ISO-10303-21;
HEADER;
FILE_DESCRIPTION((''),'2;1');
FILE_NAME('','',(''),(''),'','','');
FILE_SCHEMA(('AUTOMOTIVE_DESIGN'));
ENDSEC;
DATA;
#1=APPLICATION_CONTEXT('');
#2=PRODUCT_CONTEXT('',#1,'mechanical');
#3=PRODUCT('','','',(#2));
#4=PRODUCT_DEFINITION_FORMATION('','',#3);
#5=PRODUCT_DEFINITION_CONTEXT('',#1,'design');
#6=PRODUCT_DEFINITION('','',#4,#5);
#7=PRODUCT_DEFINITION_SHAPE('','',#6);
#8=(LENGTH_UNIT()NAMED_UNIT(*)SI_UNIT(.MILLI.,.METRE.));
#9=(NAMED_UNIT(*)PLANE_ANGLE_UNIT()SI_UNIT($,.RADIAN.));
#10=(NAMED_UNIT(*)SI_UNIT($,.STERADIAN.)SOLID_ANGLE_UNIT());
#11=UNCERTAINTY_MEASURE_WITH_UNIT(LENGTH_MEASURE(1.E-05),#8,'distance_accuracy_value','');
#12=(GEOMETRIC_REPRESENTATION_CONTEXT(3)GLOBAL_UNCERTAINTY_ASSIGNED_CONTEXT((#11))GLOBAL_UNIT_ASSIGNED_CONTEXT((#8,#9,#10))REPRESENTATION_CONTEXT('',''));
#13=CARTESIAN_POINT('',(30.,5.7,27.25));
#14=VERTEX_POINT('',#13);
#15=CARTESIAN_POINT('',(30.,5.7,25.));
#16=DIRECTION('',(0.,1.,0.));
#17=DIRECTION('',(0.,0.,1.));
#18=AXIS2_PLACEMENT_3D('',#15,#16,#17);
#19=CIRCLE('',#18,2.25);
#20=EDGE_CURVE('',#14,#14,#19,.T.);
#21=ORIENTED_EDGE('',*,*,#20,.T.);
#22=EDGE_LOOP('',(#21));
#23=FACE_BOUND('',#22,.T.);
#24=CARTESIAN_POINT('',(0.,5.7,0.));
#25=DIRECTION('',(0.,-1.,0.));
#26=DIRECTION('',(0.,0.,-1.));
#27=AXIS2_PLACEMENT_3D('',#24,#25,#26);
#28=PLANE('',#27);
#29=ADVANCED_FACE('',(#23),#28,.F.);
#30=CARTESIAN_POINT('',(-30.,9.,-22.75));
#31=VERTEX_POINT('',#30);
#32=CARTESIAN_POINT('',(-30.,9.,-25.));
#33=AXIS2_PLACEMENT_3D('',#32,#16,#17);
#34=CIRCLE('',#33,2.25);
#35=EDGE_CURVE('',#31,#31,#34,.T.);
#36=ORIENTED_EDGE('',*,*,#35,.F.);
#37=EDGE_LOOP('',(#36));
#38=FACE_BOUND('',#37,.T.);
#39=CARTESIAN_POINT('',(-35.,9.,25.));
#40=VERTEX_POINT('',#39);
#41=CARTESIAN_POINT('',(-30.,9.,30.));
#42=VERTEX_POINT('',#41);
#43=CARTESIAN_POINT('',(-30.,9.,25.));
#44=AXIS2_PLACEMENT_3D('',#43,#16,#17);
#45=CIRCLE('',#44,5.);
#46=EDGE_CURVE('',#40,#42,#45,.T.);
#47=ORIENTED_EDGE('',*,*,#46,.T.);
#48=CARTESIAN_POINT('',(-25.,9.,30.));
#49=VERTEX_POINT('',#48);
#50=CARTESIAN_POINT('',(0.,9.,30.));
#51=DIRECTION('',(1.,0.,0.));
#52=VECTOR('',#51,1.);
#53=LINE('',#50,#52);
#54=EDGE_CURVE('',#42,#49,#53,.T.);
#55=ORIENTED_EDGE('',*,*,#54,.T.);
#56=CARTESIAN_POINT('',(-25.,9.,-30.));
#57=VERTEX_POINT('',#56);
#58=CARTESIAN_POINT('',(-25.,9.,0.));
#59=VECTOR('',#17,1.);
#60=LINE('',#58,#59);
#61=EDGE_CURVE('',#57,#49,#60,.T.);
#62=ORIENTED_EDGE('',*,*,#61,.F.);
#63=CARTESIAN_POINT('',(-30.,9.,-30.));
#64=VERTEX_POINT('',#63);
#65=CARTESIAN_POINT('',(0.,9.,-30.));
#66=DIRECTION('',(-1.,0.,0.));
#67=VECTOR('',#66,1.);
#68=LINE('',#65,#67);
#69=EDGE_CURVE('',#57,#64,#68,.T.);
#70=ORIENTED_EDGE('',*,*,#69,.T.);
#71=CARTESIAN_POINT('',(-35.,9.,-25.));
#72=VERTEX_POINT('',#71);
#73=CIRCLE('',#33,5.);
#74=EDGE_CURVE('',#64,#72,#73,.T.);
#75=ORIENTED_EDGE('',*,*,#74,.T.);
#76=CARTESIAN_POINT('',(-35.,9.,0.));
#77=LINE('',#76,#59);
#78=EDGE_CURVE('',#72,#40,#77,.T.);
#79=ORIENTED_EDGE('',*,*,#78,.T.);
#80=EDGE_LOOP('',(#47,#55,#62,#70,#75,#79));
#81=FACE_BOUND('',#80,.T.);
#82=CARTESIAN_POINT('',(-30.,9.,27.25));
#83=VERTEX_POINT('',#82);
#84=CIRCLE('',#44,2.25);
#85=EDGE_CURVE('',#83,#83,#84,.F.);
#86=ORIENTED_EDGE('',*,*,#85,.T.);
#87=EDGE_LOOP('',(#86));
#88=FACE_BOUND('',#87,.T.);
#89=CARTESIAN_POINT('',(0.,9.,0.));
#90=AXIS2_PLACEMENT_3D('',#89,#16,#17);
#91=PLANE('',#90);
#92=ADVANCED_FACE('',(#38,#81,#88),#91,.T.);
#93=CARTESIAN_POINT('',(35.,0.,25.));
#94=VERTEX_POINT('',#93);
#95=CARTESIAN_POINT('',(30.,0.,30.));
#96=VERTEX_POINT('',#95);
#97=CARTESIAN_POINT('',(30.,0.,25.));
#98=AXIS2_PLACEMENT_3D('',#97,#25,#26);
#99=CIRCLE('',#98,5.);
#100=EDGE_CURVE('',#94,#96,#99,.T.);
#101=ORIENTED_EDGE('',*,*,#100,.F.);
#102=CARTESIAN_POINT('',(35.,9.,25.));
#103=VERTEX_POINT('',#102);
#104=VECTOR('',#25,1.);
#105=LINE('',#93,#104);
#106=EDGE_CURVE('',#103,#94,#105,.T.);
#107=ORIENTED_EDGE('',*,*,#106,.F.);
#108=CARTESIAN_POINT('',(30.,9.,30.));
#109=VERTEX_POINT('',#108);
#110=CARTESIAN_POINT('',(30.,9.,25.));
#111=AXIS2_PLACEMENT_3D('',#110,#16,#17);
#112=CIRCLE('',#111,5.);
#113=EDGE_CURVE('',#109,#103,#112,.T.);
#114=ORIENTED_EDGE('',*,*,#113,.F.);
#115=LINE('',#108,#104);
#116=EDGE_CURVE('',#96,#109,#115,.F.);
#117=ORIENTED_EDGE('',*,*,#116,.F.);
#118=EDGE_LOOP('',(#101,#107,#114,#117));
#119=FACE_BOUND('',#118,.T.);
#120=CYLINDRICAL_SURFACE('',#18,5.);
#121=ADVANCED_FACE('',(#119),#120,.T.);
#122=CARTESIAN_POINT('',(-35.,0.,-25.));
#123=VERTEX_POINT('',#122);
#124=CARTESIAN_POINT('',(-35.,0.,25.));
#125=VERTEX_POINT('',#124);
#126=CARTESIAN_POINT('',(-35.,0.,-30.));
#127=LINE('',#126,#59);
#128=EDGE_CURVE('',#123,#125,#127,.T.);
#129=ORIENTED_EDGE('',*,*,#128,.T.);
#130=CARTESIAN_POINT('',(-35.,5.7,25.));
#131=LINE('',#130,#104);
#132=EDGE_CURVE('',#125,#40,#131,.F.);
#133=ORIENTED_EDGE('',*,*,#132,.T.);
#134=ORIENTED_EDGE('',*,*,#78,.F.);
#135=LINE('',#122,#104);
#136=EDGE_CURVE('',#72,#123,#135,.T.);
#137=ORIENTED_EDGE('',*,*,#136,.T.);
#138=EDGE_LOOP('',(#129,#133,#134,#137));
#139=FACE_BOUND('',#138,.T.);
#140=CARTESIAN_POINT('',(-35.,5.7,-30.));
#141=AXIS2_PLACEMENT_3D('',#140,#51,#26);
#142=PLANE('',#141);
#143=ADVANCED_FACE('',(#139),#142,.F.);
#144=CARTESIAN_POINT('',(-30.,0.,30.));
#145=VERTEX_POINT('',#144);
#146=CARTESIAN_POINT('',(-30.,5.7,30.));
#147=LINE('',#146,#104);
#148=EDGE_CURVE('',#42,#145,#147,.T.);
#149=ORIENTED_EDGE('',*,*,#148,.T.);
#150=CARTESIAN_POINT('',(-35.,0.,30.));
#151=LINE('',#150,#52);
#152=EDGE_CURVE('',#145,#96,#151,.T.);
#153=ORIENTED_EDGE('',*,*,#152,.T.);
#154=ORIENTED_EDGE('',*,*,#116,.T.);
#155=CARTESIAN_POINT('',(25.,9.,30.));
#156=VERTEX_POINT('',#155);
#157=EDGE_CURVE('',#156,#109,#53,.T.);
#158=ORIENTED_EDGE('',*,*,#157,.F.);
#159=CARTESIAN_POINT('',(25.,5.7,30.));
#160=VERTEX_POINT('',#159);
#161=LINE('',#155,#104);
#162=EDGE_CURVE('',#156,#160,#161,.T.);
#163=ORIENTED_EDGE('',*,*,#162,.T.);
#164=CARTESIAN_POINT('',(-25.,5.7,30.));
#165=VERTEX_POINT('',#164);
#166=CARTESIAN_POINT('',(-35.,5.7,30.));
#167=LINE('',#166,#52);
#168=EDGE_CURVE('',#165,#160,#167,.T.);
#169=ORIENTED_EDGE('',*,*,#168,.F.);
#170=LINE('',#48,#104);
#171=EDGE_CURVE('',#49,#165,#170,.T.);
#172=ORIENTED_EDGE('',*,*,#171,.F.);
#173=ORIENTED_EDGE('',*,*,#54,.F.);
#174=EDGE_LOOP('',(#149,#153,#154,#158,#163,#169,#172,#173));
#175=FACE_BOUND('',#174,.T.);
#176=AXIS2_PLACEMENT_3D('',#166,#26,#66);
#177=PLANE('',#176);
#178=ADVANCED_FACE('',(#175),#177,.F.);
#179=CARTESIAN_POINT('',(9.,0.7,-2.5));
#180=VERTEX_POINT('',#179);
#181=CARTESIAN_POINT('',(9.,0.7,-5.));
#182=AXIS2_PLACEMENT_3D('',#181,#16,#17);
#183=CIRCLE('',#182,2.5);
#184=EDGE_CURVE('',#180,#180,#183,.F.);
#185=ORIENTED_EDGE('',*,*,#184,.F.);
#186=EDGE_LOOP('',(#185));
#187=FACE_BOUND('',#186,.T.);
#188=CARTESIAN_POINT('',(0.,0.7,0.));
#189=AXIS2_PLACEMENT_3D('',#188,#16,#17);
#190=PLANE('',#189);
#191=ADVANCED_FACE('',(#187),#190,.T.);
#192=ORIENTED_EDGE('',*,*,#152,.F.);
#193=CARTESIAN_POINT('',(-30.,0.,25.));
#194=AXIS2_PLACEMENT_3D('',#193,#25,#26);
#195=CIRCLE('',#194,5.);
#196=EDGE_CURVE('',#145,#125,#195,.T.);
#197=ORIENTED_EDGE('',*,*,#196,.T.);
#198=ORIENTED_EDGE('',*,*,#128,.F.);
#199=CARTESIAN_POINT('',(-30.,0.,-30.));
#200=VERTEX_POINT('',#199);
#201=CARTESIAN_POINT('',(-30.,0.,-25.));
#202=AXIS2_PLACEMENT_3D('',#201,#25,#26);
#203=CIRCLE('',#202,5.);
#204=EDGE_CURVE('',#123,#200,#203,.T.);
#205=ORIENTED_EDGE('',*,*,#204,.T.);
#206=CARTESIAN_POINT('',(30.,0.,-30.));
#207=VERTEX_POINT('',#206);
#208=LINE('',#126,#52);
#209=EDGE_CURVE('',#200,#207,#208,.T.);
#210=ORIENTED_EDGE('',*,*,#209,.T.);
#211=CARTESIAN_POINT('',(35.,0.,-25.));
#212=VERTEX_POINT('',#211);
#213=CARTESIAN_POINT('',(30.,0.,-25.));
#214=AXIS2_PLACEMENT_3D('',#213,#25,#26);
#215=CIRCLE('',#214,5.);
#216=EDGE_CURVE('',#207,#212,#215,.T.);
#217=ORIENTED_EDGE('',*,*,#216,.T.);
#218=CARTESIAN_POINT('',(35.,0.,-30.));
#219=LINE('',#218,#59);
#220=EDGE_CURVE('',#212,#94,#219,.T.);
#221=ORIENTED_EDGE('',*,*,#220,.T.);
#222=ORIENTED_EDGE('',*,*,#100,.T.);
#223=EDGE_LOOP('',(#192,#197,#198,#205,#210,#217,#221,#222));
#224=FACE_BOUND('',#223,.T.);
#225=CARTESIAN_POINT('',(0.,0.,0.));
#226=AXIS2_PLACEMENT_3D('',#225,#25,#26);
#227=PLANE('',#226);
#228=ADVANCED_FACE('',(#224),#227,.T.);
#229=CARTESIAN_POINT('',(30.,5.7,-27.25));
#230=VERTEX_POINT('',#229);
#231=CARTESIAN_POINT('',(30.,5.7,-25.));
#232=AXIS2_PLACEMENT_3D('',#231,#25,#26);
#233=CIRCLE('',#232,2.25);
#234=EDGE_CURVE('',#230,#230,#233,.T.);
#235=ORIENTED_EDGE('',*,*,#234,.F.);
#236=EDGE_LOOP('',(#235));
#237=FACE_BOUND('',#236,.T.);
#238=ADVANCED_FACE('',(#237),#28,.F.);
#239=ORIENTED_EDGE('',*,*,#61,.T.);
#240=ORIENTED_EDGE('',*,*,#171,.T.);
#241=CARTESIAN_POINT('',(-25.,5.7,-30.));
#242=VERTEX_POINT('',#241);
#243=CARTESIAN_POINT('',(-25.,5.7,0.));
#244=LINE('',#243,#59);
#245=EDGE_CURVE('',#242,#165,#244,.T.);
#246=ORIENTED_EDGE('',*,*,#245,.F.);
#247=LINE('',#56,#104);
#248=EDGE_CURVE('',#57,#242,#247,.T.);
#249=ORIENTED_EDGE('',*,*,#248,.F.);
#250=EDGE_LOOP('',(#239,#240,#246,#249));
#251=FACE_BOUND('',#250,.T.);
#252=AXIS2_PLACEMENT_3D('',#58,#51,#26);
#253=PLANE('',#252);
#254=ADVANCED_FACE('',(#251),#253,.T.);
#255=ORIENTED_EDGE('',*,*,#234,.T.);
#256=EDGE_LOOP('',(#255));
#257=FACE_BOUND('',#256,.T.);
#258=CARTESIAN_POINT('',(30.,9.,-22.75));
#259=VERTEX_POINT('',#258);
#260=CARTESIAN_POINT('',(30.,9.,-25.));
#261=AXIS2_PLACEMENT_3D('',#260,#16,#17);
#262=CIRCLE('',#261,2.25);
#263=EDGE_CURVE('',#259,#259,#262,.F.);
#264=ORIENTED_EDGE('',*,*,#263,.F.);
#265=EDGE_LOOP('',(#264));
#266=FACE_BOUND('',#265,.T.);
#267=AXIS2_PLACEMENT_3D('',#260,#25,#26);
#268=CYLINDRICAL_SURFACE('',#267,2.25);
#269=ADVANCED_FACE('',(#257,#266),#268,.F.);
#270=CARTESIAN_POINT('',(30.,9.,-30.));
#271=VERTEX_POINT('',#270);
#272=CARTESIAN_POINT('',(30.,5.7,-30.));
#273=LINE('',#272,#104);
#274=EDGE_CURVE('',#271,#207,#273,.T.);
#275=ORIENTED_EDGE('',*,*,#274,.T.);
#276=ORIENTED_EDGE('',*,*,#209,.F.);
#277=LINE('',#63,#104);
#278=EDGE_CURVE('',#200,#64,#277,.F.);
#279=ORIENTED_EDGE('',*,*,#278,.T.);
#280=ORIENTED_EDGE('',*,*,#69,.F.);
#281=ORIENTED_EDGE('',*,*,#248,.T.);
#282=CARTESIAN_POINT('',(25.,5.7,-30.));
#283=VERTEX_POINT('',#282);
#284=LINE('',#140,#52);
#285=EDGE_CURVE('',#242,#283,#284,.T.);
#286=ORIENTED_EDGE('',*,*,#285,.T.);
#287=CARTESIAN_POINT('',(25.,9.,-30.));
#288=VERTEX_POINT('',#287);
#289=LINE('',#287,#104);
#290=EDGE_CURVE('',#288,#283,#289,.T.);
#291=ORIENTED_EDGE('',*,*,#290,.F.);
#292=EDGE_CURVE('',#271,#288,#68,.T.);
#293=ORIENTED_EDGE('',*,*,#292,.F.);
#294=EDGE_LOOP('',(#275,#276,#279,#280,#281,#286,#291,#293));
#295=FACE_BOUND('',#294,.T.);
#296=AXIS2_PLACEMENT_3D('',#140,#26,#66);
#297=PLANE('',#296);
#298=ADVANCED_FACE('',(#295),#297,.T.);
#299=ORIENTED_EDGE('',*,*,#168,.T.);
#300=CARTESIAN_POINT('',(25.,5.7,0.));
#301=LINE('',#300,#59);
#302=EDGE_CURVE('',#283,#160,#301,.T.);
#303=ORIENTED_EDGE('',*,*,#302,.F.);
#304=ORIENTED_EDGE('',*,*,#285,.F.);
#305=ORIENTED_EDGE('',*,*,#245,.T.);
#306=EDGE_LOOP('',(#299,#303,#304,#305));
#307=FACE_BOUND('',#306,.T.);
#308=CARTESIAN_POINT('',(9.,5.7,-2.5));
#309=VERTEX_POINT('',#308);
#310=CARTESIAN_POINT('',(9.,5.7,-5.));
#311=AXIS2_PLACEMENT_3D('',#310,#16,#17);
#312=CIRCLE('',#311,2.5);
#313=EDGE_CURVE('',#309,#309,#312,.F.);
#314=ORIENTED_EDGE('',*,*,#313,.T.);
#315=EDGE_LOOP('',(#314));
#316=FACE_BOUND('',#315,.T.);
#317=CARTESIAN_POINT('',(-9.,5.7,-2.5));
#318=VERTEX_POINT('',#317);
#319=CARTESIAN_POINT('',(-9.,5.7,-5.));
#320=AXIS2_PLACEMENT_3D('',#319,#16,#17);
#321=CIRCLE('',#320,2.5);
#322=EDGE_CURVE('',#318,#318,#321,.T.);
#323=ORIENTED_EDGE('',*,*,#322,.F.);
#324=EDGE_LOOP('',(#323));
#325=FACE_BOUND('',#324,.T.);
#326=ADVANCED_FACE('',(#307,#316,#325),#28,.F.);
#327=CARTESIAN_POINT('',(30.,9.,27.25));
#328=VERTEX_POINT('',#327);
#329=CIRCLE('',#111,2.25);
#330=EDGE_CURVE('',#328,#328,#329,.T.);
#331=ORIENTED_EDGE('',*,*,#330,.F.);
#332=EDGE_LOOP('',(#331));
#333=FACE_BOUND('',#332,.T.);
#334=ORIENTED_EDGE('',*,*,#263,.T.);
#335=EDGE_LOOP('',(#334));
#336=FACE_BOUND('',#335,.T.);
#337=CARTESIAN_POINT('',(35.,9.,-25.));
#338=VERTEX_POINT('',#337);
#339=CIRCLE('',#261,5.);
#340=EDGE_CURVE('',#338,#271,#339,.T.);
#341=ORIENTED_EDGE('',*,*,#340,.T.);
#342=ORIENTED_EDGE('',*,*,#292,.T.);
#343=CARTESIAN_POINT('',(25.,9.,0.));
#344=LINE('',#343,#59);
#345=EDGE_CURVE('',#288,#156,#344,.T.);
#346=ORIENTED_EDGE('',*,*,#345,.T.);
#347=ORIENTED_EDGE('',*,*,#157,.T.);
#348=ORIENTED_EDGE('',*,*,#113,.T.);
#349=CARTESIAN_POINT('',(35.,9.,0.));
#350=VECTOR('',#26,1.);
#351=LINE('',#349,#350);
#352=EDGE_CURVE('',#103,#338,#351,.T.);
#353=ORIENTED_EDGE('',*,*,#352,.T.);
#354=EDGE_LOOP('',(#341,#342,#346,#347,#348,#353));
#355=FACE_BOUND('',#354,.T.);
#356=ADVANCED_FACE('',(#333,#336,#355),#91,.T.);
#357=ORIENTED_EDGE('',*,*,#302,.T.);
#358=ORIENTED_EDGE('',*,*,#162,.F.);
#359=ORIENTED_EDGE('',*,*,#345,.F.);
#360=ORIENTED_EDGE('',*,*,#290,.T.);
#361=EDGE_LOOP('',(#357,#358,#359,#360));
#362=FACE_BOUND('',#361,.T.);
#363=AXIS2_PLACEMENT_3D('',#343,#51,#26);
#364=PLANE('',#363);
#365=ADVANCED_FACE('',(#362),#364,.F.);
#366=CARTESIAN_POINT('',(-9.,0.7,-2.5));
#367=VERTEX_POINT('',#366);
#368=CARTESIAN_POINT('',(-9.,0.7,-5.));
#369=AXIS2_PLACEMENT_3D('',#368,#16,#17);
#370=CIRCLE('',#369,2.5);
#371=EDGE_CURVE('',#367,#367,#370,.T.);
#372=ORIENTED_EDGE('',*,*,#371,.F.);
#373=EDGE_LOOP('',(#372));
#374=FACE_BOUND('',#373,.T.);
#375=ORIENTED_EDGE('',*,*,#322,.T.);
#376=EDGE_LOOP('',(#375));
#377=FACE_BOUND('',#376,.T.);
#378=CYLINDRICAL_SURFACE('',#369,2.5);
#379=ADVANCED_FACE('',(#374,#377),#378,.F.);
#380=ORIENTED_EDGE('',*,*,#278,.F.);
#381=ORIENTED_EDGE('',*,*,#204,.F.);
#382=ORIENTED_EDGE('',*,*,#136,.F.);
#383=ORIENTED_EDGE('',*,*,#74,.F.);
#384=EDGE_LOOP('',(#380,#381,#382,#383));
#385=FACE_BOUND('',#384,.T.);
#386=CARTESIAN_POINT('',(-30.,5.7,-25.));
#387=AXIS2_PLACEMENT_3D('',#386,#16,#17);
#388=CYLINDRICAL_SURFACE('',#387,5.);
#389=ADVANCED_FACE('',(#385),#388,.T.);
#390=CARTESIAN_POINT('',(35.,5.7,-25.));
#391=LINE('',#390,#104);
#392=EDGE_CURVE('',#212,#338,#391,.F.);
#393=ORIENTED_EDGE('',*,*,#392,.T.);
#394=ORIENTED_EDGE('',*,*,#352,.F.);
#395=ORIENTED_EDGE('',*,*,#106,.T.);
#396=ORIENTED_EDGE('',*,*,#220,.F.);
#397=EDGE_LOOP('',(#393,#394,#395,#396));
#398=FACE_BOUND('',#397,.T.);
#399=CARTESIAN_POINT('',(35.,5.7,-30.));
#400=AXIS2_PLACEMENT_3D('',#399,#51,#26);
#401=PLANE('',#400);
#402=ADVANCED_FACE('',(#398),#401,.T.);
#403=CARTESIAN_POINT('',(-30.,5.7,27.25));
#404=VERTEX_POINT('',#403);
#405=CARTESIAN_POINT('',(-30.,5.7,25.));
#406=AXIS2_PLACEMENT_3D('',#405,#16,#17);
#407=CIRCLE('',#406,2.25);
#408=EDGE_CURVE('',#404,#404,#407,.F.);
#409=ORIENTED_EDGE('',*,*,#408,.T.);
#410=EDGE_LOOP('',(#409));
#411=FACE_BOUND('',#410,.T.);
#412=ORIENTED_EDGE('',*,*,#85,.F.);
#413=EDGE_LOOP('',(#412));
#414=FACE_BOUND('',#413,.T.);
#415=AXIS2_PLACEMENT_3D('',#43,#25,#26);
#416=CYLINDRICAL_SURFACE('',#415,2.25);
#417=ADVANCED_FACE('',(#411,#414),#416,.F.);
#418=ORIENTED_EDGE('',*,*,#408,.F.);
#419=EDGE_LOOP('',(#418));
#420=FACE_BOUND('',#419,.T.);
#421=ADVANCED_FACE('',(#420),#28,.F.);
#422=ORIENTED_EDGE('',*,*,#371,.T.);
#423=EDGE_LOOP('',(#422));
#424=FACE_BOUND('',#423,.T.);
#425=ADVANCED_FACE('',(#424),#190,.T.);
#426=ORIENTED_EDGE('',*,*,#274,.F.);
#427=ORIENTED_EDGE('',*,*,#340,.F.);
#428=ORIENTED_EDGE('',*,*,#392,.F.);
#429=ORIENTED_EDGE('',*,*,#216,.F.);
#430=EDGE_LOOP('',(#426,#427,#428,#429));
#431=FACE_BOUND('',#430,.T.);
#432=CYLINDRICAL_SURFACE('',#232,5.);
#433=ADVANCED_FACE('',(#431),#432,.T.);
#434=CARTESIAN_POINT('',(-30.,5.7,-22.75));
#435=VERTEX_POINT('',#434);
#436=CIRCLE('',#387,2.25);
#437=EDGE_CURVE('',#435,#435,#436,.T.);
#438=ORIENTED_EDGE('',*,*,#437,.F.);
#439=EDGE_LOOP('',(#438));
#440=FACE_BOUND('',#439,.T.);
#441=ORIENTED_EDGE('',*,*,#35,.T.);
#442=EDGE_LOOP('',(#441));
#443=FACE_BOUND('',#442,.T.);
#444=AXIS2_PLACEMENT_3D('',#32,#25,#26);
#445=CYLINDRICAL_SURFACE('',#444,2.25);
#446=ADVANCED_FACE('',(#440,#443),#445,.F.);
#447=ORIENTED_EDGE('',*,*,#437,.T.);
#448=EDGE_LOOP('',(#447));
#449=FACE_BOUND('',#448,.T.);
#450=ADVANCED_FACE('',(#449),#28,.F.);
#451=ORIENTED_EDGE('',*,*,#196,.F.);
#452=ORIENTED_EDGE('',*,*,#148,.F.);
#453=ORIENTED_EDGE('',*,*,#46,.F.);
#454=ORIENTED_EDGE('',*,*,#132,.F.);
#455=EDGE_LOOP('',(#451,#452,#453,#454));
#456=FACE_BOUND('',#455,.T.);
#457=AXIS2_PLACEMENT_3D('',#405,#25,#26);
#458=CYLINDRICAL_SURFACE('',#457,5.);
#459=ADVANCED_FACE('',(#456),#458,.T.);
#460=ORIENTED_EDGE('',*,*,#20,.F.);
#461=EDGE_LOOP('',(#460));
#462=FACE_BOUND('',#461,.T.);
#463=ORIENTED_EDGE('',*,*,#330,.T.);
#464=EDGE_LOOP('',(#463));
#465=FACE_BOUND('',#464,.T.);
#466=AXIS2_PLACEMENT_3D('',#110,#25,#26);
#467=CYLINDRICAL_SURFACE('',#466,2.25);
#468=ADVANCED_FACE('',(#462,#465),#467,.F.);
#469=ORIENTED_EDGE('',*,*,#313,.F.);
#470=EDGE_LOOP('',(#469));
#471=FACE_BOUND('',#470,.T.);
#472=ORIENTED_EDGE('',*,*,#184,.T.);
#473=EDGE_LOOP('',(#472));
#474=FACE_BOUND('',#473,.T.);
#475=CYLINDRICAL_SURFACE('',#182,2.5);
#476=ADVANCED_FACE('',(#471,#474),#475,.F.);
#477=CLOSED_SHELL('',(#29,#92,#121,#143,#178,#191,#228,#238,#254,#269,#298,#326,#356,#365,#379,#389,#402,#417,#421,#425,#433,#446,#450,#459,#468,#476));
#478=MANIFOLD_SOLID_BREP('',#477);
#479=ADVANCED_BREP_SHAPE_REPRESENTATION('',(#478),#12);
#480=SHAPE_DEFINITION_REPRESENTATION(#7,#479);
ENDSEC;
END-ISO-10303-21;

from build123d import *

# Parameters (mm, degrees)
SKETCH1_W           = 70
SKETCH1_H           = 60
BOSS_EXTRUDE1_DEPTH = 5.7
SKETCH2_W           = 10
SKETCH2_H           = 60
SKETCH2_R           = 2.25
BOSS_EXTRUDE2_DEPTH = 3.3
FILLET1_R           = 5
SKETCH2_4_R         = 2.5
CUT_EXTRUDE2_DEPTH  = 5


with BuildPart() as part:
    # Sketch1 → Boss-Extrude1 (new body)
    with BuildSketch(Plane(origin=(0, 0, 0), x_dir=(1, 0, 0), z_dir=(0, 1, 0))):
        Rectangle(SKETCH1_W, SKETCH1_H)
    extrude(amount=BOSS_EXTRUDE1_DEPTH)

    # Sketch2 → Boss-Extrude2 (add)
    # profile 1 of 2: a face of its own
    with BuildSketch(Plane(origin=(0, 5.7, 0), x_dir=(1, 0, 0), z_dir=(0, 1, 0))):
        with Locations((-30, 0)):
            Rectangle(SKETCH2_W, SKETCH2_H)
        with Locations((-30, -25)):
            Circle(SKETCH2_R, mode=Mode.SUBTRACT)
        with Locations((-30, 25)):
            Circle(SKETCH2_R, mode=Mode.SUBTRACT)
    # profile 2 of 2: a face of its own
    with BuildSketch(Plane(origin=(0, 5.7, 0), x_dir=(1, 0, 0), z_dir=(0, 1, 0))):
        with Locations((30, 0)):
            Rectangle(SKETCH2_W, SKETCH2_H)
        with Locations((30, -25)):
            Circle(SKETCH2_R, mode=Mode.SUBTRACT)
        with Locations((30, 25)):
            Circle(SKETCH2_R, mode=Mode.SUBTRACT)
    extrude(amount=BOSS_EXTRUDE2_DEPTH)

    # Fillet1
    fillet1_edges = [part.edges().sort_by_distance(p)[0] for p in [
        (35, 4.5, 30),
        (35, 4.5, -30),
        (-35, 4.5, -30),
        (-35, 4.5, 30),
    ]]
    fillet(fillet1_edges, radius=FILLET1_R)

    # Sketch2<4> → Cut-Extrude2 (cut)
    with BuildSketch(Plane(origin=(0, 5.7, 0), x_dir=(1, 0, 0), z_dir=(0, 1, 0))):
        with Locations((-9, 5)):
            Circle(SKETCH2_4_R)
        with Locations((9, 5)):
            Circle(SKETCH2_4_R)
    extrude(amount=-CUT_EXTRUDE2_DEPTH, mode=Mode.SUBTRACT)


solid = part.part
